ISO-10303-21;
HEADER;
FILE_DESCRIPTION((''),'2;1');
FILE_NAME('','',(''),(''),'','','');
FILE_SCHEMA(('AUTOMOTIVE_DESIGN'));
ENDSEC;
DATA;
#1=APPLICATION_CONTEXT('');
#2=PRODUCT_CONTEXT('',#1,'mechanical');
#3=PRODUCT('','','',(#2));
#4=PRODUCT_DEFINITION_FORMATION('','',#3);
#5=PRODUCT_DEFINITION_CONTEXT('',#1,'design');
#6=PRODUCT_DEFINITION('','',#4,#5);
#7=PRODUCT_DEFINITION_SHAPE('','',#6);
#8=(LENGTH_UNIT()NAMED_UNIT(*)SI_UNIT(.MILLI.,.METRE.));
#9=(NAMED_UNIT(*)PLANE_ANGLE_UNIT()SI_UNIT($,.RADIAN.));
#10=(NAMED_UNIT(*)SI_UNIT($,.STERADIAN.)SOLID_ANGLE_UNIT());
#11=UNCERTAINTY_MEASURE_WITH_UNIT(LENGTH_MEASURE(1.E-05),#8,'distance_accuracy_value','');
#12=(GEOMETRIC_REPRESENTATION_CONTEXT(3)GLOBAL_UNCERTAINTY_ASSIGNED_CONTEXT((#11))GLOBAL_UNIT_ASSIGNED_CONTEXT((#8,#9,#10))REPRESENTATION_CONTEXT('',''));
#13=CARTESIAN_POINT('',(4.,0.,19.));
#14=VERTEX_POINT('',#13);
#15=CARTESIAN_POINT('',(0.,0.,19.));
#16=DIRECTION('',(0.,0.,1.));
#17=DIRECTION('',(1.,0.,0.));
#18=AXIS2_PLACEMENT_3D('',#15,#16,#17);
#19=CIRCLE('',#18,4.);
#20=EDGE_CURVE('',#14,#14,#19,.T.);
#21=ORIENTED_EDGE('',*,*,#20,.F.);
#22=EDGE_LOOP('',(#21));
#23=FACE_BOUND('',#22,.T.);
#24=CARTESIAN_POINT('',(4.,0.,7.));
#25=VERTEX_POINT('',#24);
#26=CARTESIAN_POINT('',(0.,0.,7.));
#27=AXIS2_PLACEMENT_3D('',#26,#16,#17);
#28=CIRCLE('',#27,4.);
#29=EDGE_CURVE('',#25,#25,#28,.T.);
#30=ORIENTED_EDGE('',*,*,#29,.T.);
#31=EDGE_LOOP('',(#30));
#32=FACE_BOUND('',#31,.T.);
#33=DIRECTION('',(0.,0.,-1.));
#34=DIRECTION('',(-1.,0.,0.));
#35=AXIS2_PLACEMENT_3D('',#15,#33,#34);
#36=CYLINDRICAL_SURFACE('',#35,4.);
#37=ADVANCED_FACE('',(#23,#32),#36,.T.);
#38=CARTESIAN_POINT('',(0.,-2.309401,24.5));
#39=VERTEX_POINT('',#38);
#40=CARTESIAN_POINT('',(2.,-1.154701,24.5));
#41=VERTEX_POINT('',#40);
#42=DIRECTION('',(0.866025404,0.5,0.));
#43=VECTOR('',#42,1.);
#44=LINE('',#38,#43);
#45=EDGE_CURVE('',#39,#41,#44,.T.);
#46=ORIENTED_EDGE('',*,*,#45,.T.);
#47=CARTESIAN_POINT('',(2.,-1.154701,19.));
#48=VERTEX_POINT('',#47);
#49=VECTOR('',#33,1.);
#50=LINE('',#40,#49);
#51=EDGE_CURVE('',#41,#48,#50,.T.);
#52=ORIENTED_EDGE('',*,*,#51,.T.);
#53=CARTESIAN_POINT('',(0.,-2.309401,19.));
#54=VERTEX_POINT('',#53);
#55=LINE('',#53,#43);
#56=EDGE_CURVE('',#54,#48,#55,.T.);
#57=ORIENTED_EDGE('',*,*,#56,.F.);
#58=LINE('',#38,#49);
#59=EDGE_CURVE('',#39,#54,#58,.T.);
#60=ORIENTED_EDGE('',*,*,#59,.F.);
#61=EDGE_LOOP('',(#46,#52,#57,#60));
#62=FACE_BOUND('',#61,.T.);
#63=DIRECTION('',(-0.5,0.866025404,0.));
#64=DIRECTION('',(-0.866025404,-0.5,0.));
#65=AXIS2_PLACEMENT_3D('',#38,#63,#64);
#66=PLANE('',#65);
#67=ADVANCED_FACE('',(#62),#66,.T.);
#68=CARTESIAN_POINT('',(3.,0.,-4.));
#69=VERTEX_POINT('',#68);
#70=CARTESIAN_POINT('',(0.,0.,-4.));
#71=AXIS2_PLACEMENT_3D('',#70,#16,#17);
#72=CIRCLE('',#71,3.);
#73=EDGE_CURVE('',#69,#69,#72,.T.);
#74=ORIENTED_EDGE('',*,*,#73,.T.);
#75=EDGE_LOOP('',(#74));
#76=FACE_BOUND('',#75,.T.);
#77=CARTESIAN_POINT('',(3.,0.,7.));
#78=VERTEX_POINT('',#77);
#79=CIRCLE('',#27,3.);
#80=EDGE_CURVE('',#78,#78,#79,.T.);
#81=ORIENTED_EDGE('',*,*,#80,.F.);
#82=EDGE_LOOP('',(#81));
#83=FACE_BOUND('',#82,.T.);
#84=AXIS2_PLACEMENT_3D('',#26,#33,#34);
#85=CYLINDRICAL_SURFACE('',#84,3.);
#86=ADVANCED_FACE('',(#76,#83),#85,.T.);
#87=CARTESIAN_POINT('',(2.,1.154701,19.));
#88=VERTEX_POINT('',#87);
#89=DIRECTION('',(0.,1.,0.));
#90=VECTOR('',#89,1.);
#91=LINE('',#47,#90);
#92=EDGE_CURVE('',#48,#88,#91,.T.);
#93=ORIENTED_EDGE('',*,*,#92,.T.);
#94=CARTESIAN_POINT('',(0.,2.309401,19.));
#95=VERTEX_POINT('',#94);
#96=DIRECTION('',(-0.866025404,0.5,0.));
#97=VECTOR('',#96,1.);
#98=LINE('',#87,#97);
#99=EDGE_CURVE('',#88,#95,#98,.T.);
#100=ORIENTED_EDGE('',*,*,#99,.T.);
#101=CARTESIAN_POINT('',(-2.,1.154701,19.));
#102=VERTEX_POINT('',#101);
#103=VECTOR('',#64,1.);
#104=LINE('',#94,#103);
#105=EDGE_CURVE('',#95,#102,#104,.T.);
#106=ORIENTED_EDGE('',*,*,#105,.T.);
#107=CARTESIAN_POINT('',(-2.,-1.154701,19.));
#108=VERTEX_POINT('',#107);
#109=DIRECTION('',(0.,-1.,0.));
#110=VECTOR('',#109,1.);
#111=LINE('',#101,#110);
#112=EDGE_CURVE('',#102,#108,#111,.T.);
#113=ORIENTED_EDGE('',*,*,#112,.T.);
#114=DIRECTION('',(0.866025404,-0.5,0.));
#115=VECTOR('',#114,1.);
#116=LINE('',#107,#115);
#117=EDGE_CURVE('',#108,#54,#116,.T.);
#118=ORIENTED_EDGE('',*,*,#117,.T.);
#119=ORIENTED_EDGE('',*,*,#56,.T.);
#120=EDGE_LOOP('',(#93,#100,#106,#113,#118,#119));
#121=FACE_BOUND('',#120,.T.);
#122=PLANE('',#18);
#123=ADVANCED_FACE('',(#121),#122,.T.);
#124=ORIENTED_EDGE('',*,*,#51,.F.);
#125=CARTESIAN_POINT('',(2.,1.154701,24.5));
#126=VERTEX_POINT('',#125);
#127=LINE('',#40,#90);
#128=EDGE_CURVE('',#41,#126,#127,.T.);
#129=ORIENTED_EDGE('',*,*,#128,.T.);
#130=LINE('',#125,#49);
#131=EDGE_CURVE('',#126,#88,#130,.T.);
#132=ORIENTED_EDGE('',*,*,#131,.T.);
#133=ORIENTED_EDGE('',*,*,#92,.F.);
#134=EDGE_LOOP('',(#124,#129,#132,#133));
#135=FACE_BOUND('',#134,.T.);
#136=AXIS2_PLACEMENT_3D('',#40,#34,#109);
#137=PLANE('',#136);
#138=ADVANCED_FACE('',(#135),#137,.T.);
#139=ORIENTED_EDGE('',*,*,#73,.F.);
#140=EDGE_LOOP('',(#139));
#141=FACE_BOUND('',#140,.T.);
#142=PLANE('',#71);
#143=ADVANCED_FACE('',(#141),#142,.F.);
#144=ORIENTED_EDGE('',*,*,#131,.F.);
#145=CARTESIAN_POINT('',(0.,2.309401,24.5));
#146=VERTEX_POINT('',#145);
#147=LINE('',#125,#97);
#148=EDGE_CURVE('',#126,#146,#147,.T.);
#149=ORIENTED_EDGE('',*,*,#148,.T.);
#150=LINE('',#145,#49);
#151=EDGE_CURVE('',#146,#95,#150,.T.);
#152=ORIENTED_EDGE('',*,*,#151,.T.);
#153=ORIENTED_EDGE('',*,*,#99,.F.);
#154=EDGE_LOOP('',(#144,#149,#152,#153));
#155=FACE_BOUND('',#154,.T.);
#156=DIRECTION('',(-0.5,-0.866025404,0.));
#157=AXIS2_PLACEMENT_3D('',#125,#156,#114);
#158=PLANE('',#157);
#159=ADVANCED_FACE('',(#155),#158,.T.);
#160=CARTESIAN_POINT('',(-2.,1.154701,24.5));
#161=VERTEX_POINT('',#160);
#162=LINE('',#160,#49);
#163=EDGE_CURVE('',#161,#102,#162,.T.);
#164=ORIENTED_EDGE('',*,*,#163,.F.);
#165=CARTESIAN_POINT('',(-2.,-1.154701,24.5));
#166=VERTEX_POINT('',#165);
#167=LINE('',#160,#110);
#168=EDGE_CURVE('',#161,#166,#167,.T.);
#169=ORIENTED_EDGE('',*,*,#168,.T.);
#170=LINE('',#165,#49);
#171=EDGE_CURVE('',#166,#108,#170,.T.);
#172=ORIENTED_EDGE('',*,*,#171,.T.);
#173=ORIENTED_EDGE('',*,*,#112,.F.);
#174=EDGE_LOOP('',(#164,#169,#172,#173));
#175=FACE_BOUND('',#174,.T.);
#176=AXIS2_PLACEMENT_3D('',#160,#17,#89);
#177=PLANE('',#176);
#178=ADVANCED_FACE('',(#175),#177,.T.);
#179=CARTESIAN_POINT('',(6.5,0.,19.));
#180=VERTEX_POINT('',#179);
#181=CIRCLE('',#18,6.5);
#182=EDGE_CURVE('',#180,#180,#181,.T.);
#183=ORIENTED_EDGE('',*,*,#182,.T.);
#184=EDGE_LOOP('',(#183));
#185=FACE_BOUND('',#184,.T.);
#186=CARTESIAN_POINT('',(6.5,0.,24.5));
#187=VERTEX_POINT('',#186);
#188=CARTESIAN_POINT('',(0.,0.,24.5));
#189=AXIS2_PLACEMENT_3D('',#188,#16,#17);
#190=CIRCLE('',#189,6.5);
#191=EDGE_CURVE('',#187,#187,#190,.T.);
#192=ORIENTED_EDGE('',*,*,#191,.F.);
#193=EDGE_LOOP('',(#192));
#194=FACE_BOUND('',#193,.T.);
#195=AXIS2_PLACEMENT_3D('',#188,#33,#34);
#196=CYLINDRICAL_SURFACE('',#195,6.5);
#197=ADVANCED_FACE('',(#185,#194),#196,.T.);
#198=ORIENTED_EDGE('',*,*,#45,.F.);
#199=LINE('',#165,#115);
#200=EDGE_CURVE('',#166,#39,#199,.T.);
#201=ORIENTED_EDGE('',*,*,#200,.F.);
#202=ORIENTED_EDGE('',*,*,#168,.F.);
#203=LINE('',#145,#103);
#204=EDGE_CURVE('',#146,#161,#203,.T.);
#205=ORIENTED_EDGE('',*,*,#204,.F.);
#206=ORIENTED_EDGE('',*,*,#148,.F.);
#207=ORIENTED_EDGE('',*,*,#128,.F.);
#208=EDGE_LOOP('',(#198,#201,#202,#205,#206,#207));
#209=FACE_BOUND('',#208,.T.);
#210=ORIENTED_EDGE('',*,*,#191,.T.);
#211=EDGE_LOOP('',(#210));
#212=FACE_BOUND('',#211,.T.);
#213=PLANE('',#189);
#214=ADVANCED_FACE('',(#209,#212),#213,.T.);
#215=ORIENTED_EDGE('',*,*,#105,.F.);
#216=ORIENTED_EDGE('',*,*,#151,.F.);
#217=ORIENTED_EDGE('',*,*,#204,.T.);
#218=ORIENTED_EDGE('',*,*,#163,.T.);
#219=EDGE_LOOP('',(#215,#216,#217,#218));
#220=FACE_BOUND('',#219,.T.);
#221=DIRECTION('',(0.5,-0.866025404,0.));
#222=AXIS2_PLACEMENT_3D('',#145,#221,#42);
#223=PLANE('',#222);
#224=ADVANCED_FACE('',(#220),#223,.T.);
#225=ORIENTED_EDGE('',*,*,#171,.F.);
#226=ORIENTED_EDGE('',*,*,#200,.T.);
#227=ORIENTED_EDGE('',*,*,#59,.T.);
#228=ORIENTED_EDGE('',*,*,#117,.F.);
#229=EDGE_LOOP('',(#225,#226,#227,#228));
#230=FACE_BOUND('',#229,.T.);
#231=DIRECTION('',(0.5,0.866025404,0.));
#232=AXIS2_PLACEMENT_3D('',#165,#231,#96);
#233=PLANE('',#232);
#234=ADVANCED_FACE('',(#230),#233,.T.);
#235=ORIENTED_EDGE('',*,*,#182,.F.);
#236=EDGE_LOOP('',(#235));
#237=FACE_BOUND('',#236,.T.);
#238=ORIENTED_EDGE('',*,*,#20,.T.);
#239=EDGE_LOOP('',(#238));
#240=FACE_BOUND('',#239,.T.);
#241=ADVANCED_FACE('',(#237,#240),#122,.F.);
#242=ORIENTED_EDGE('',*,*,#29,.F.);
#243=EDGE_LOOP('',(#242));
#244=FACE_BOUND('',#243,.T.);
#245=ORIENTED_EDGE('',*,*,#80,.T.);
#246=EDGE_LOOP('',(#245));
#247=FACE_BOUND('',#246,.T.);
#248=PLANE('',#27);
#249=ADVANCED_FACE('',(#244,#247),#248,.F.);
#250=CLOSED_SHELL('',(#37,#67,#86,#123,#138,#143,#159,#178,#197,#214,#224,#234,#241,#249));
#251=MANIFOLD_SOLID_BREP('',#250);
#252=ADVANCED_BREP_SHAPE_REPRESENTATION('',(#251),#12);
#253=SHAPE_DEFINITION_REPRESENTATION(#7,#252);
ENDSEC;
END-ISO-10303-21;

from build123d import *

# Parameters (mm, degrees)
SHOULDER_START    = 7
PROFILE_1_R       = 4
SHOULDER_DEPTH    = 12
M6_THREAD_START   = -4
PROFILE_2_R       = 3
M6_THREAD_DEPTH   = 11
SOCKET_HEAD_START = 19
PROFILE_3_R       = 6.5
SOCKET_HEAD_DEPTH = 5.5


with BuildPart() as part:
    # Profile_1 → Shoulder (new body)
    with BuildSketch(Plane.XY.offset(SHOULDER_START)):
        Circle(PROFILE_1_R)
    extrude(amount=SHOULDER_DEPTH)

    # Profile_2 → M6_thread (add)
    with BuildSketch(Plane.XY.offset(M6_THREAD_START)):
        Circle(PROFILE_2_R)
    extrude(amount=M6_THREAD_DEPTH)

    # Profile_3 → Socket_head (add)
    with BuildSketch(Plane.XY.offset(SOCKET_HEAD_START)):
        Circle(PROFILE_3_R)
        Polygon((2, 1.154700538), (0, 2.309401077), (-2, 1.154700538), (-2, -1.154700538), (0, -2.309401077), (2, -1.154700538), align=None, mode=Mode.SUBTRACT)
    extrude(amount=SOCKET_HEAD_DEPTH)


solid = part.part
